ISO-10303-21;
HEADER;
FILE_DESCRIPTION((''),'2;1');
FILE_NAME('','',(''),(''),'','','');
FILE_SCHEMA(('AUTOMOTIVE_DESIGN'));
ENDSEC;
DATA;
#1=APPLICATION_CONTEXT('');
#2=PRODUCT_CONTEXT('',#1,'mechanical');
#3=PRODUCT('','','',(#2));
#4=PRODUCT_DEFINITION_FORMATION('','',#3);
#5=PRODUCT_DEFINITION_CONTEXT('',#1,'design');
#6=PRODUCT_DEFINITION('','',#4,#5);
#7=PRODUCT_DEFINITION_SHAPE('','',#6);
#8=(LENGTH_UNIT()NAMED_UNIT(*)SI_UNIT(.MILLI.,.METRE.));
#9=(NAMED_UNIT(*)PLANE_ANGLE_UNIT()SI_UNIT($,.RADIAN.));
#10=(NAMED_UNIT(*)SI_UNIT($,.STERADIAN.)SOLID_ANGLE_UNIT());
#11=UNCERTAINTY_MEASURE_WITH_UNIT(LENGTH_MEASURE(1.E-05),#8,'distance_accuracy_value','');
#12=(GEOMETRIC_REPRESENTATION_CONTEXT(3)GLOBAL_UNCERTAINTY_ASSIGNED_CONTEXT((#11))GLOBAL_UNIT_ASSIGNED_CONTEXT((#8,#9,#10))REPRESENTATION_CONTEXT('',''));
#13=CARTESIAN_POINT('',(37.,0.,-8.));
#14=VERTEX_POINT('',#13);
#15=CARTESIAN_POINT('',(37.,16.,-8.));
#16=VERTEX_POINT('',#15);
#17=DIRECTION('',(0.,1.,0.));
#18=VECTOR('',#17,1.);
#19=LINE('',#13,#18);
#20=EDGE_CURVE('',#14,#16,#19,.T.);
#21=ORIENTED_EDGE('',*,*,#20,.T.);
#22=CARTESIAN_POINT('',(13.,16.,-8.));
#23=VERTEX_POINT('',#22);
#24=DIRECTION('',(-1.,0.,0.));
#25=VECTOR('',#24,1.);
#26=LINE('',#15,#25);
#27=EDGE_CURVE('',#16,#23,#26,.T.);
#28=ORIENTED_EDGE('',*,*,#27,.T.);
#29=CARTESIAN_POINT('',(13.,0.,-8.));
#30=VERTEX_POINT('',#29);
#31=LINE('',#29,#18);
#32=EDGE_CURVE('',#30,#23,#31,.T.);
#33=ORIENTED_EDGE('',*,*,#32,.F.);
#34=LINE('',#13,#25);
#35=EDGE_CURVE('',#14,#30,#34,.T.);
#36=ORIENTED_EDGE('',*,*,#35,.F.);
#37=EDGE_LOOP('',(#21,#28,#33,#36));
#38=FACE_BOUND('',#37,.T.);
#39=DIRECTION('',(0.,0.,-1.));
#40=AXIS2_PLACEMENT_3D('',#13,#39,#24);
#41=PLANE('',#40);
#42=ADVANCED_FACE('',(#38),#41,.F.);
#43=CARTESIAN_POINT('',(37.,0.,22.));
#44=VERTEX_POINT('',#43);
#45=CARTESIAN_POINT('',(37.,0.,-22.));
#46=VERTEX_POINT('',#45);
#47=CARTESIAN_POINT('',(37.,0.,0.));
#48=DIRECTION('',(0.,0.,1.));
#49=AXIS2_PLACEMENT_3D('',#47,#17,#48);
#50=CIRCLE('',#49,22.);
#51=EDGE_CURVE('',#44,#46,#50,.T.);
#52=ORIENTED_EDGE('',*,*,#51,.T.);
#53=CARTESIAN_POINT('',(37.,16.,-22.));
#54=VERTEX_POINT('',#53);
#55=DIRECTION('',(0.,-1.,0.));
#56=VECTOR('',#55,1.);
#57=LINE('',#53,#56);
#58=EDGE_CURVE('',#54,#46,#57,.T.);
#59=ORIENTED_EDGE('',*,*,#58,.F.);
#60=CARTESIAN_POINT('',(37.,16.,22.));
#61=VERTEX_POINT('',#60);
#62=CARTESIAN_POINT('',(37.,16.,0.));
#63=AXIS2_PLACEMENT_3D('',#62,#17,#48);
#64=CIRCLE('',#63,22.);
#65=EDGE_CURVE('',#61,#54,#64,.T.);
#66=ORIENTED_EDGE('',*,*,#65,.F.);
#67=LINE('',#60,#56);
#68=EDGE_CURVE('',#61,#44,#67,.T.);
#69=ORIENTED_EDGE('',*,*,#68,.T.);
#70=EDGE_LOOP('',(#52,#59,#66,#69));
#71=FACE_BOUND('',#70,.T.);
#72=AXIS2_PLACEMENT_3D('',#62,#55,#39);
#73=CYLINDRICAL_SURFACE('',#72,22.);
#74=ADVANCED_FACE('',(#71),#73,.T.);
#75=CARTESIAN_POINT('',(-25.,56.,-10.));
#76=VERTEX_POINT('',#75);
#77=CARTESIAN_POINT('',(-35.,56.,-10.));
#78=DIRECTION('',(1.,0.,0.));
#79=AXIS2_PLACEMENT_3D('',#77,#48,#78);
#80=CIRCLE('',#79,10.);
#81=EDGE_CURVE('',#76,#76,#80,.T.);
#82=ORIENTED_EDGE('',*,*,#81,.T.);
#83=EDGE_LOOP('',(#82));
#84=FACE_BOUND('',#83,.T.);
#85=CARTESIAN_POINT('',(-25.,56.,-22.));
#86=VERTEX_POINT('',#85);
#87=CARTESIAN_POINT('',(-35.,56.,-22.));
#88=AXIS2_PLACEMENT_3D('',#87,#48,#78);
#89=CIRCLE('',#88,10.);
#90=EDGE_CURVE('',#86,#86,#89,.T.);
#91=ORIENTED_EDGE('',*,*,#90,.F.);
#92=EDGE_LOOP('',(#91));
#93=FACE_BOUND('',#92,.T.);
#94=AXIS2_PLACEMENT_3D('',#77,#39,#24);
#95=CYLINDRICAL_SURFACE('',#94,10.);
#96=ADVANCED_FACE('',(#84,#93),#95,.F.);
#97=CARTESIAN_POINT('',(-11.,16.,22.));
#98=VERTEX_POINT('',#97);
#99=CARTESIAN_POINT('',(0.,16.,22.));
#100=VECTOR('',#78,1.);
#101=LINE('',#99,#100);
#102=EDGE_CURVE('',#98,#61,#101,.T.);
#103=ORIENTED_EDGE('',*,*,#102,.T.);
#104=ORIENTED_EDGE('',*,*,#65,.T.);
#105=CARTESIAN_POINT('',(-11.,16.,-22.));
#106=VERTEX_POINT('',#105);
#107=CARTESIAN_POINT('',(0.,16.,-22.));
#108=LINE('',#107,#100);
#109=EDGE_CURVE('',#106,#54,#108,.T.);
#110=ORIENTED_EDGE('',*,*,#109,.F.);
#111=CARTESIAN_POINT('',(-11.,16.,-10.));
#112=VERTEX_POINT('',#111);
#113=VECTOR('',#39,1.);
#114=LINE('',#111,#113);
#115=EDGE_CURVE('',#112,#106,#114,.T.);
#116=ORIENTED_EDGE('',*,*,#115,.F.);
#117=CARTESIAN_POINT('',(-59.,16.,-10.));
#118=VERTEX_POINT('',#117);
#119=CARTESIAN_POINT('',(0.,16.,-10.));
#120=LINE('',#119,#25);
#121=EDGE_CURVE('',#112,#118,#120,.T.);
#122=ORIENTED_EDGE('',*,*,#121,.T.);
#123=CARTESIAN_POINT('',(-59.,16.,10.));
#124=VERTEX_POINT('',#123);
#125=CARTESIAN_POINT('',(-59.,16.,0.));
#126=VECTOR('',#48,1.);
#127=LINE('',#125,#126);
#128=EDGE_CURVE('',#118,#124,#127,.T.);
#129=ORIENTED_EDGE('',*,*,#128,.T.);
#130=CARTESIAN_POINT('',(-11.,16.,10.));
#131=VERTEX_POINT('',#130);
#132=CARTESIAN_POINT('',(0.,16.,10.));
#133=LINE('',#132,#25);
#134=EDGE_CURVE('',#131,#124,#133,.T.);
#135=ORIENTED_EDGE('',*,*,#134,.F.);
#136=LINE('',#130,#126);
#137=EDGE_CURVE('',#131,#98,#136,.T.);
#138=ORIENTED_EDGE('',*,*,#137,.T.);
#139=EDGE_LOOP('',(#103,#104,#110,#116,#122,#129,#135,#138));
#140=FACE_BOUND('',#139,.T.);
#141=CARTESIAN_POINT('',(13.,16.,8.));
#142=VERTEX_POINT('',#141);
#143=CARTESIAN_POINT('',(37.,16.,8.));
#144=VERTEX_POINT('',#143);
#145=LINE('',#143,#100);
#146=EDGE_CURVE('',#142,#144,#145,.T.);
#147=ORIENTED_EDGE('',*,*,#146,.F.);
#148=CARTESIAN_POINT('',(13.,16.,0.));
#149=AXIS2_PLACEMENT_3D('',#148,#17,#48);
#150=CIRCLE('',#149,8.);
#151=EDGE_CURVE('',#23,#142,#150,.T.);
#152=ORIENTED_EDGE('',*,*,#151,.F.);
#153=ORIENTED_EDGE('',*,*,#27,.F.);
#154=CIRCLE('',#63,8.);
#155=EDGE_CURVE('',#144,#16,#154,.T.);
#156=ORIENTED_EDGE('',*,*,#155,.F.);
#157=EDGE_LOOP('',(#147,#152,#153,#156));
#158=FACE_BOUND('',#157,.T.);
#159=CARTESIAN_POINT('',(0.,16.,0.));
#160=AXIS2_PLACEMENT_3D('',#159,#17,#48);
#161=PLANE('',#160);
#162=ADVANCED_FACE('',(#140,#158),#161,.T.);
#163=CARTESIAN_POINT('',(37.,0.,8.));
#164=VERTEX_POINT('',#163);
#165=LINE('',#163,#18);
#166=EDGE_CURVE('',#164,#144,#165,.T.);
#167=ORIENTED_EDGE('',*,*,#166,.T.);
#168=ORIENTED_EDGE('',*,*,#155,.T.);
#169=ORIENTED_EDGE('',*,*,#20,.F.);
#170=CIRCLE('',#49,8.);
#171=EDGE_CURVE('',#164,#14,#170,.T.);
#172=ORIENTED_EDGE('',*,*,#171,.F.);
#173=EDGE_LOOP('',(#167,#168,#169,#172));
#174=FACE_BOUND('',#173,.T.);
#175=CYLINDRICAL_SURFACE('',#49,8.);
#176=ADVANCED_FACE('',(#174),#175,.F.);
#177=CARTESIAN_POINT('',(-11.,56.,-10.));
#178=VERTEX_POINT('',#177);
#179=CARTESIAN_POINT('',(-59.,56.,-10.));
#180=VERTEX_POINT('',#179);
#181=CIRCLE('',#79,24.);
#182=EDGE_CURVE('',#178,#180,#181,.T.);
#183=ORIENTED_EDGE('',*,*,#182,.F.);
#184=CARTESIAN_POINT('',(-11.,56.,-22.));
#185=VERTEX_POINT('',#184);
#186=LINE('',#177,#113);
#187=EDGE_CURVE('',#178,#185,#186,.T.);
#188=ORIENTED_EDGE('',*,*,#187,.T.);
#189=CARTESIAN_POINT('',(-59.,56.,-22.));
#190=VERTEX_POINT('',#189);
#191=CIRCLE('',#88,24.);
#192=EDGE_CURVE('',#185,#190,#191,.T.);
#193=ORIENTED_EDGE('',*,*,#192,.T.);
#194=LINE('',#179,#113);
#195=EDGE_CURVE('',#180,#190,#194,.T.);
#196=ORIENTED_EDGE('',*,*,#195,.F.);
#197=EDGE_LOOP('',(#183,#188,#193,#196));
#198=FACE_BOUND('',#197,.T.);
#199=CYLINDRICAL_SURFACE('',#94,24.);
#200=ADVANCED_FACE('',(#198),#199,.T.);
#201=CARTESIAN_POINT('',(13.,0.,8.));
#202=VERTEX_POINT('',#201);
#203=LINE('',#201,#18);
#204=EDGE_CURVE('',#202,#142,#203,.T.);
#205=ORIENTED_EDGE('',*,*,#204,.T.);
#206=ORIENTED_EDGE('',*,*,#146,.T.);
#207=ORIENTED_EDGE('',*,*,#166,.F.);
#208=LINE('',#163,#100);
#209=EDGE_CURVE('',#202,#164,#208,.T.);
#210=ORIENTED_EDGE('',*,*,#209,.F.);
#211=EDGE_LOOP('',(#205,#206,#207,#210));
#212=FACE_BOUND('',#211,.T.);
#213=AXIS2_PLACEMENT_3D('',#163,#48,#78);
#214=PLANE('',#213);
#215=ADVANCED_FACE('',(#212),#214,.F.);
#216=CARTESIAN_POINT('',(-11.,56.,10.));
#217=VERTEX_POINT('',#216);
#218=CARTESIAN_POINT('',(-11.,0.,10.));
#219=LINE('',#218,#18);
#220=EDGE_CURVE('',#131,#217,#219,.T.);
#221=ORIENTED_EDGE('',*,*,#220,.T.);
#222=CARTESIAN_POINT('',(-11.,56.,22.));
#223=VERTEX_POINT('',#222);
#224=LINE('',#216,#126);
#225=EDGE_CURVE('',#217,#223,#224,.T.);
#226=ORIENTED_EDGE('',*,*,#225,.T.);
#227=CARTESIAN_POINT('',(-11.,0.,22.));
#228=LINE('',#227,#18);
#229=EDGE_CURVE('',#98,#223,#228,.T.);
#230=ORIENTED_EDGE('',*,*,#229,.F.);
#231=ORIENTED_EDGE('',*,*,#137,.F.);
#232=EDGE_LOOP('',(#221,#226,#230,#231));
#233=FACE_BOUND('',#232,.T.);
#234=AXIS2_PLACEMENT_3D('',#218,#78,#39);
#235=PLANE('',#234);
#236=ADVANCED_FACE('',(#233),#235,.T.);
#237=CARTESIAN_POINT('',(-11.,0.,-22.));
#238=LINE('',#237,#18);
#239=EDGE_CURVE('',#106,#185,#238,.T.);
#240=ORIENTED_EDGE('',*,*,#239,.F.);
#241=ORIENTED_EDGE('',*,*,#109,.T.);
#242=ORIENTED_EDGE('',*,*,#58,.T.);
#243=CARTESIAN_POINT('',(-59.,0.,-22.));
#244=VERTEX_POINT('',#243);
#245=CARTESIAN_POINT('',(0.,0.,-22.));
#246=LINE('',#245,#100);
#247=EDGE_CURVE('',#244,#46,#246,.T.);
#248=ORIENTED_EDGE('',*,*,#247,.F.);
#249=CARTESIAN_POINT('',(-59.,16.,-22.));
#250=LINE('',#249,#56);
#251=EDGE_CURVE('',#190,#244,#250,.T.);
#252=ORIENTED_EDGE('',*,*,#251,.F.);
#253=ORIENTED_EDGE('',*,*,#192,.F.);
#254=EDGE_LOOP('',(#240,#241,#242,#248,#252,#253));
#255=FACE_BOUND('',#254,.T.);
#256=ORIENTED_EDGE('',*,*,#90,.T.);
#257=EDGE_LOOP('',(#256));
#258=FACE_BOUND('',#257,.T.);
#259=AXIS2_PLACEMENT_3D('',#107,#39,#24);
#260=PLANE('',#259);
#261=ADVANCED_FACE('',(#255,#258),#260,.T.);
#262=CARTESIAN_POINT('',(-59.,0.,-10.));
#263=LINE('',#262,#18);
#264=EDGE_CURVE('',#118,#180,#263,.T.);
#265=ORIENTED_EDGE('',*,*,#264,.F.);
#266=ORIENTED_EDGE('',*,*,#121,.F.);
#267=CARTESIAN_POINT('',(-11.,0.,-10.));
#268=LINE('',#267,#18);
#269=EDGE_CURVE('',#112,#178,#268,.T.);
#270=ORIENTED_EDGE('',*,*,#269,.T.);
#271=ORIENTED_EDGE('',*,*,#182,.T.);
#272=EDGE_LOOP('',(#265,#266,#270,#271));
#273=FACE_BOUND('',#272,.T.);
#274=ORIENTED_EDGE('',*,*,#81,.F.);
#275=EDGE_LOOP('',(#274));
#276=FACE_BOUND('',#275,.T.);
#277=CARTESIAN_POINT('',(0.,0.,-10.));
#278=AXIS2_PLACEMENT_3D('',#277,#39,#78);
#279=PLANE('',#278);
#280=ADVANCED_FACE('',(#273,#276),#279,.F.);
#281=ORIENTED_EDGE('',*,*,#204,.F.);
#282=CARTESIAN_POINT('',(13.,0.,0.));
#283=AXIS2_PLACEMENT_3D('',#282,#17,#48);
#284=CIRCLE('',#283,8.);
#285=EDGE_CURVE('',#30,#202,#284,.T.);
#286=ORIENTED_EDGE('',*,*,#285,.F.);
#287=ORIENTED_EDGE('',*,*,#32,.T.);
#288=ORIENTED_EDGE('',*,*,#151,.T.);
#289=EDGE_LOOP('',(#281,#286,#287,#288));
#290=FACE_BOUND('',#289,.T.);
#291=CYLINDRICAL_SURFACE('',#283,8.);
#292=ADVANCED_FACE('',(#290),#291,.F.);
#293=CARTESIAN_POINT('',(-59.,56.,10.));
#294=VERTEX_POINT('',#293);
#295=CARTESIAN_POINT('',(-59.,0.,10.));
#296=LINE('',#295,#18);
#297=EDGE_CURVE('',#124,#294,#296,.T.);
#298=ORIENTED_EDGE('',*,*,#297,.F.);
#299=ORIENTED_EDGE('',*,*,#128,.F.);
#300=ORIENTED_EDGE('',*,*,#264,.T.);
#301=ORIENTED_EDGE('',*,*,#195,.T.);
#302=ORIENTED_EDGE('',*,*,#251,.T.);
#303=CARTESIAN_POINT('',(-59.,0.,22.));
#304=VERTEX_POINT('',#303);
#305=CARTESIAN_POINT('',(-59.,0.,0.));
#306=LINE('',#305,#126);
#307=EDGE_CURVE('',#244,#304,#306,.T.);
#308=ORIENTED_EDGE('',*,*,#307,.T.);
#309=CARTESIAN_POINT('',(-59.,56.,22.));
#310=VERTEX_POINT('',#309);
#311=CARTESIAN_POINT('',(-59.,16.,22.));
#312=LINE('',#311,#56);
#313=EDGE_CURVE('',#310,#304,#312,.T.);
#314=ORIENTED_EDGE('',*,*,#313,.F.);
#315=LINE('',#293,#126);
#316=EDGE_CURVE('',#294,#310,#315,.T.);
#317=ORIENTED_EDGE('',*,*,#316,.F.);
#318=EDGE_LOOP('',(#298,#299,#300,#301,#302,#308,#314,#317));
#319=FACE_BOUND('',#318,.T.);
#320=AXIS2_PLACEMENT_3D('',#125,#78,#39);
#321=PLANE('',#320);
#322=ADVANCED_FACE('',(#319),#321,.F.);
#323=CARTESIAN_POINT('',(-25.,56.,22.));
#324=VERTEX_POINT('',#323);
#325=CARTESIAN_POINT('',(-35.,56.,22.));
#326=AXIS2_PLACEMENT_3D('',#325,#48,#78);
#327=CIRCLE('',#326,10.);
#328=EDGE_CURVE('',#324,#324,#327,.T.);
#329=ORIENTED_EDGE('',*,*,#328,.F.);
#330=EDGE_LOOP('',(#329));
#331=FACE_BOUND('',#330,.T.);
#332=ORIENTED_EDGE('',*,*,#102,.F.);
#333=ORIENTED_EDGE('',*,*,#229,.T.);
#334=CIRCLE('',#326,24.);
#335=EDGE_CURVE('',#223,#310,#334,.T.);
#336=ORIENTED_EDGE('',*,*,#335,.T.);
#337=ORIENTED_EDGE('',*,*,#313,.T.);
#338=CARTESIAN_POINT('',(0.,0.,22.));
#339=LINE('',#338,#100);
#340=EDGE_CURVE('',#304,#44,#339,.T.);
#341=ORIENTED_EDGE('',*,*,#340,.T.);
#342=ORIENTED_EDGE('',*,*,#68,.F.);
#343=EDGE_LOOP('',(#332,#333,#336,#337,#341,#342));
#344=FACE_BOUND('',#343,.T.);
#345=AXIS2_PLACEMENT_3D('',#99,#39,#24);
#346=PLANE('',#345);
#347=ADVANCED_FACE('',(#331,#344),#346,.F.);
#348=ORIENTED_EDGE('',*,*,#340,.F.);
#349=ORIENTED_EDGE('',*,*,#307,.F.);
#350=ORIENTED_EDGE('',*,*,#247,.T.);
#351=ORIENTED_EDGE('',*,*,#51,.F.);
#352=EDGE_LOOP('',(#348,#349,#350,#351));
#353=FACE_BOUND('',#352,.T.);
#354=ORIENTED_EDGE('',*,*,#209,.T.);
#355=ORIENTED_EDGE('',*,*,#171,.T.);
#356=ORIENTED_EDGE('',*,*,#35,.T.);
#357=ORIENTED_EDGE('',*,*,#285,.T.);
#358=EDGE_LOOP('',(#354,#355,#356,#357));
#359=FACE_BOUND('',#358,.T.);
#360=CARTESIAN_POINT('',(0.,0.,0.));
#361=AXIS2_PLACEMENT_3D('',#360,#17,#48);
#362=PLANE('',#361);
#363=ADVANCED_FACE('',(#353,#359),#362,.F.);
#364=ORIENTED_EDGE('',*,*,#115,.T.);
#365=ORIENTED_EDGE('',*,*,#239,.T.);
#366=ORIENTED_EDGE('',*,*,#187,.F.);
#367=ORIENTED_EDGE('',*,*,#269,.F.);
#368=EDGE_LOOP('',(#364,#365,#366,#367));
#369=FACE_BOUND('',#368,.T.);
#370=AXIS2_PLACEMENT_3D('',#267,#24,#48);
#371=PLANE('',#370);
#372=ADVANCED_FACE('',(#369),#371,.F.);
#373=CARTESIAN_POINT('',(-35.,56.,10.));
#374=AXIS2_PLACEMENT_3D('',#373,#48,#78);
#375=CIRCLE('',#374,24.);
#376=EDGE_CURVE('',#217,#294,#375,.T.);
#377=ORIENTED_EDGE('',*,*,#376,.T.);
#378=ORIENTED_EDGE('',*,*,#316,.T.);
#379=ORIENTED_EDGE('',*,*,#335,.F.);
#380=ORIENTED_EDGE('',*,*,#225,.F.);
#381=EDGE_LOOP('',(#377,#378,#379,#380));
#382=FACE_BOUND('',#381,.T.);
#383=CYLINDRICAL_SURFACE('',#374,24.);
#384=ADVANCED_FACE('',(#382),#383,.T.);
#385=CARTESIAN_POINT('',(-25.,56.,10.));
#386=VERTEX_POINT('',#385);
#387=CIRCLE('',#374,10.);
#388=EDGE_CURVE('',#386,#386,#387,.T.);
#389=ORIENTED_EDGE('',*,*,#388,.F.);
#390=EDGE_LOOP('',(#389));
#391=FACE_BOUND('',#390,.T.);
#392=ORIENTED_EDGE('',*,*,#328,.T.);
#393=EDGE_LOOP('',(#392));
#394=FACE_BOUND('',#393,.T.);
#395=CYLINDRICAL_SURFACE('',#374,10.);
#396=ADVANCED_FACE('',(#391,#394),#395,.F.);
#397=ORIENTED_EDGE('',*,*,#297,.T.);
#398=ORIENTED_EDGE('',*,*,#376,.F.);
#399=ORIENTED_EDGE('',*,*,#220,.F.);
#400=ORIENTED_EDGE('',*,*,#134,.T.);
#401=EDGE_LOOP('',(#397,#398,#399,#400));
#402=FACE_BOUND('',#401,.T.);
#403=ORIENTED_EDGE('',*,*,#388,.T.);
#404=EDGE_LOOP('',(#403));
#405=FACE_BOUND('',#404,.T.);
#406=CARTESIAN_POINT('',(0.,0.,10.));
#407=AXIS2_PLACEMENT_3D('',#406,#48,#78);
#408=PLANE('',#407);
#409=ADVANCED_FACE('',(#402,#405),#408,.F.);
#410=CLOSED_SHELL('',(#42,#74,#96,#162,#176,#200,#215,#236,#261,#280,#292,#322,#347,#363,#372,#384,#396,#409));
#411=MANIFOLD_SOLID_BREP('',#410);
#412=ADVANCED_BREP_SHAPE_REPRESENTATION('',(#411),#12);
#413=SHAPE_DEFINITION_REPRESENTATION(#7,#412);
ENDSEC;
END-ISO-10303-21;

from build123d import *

# Parameters (mm, degrees)
SKETCH1_R           = 22
BOSS_EXTRUDE1_DEPTH = 16
CUT_EXTRUDE2_DEPTH  = 16
BOSS_EXTRUDE2_DEPTH = 12


with BuildPart() as part:
    # Sketch1 → Boss-Extrude1 (new body)
    with BuildSketch(Plane(origin=(0, 0, 0), x_dir=(1, 0, 0), z_dir=(0, 1, 0))):
        with BuildLine():
            Line((37.000000064, 22), (-59, 22))
            Line((-59, 22), (-59, -22))
            Line((-59, -22), (37, -22))
            ThreePointArc((37, -22), (15, 3.2e-08), (37.000000064, 22))
        make_face()
        with Locations((37, 0)):
            Circle(SKETCH1_R)
    extrude(amount=BOSS_EXTRUDE1_DEPTH)

    # Sketch5 → Cut-Extrude2 (cut)
    with BuildSketch(Plane(origin=(0, 16, 0), x_dir=(1, 0, 0), z_dir=(0, 1, 0))):
        with BuildLine():
            Line((37, -8), (13, -8))
            ThreePointArc((13, -8), (5, 0), (13, 8))
            Line((13, 8), (37, 8))
            ThreePointArc((37, 8), (45, 0), (37, -8))
        make_face()
    extrude(amount=-CUT_EXTRUDE2_DEPTH, mode=Mode.SUBTRACT)

    # Sketch6 → Boss-Extrude2 (add)
    with BuildSketch(Plane.XY.offset(22)):
        with BuildLine():
            Line((-59, 56), (-59, 16))
            Line((-59, 16), (-11, 16))
            Line((-11, 16), (-11, 56))
            ThreePointArc((-11, 56), (-35, 32), (-59, 56))
        make_face()
        with BuildLine():
            ThreePointArc((-11, 56), (-35, 80), (-59, 56))
            Line((-59, 56), (-45, 56))
            ThreePointArc((-45, 56), (-35, 66), (-25, 56))
            Line((-25, 56), (-11, 56))
        make_face()
        with BuildLine():
            Line((-45, 56), (-59, 56))
            ThreePointArc((-59, 56), (-35, 32), (-11, 56))
            Line((-11, 56), (-25, 56))
            ThreePointArc((-25, 56), (-35, 46), (-45, 56))
        make_face()
    boss_extrude2 = extrude(amount=-BOSS_EXTRUDE2_DEPTH)

    # Mirror1: Boss-Extrude2 across plane
    add(boss_extrude2.mirror(Plane.XY))


solid = part.part
